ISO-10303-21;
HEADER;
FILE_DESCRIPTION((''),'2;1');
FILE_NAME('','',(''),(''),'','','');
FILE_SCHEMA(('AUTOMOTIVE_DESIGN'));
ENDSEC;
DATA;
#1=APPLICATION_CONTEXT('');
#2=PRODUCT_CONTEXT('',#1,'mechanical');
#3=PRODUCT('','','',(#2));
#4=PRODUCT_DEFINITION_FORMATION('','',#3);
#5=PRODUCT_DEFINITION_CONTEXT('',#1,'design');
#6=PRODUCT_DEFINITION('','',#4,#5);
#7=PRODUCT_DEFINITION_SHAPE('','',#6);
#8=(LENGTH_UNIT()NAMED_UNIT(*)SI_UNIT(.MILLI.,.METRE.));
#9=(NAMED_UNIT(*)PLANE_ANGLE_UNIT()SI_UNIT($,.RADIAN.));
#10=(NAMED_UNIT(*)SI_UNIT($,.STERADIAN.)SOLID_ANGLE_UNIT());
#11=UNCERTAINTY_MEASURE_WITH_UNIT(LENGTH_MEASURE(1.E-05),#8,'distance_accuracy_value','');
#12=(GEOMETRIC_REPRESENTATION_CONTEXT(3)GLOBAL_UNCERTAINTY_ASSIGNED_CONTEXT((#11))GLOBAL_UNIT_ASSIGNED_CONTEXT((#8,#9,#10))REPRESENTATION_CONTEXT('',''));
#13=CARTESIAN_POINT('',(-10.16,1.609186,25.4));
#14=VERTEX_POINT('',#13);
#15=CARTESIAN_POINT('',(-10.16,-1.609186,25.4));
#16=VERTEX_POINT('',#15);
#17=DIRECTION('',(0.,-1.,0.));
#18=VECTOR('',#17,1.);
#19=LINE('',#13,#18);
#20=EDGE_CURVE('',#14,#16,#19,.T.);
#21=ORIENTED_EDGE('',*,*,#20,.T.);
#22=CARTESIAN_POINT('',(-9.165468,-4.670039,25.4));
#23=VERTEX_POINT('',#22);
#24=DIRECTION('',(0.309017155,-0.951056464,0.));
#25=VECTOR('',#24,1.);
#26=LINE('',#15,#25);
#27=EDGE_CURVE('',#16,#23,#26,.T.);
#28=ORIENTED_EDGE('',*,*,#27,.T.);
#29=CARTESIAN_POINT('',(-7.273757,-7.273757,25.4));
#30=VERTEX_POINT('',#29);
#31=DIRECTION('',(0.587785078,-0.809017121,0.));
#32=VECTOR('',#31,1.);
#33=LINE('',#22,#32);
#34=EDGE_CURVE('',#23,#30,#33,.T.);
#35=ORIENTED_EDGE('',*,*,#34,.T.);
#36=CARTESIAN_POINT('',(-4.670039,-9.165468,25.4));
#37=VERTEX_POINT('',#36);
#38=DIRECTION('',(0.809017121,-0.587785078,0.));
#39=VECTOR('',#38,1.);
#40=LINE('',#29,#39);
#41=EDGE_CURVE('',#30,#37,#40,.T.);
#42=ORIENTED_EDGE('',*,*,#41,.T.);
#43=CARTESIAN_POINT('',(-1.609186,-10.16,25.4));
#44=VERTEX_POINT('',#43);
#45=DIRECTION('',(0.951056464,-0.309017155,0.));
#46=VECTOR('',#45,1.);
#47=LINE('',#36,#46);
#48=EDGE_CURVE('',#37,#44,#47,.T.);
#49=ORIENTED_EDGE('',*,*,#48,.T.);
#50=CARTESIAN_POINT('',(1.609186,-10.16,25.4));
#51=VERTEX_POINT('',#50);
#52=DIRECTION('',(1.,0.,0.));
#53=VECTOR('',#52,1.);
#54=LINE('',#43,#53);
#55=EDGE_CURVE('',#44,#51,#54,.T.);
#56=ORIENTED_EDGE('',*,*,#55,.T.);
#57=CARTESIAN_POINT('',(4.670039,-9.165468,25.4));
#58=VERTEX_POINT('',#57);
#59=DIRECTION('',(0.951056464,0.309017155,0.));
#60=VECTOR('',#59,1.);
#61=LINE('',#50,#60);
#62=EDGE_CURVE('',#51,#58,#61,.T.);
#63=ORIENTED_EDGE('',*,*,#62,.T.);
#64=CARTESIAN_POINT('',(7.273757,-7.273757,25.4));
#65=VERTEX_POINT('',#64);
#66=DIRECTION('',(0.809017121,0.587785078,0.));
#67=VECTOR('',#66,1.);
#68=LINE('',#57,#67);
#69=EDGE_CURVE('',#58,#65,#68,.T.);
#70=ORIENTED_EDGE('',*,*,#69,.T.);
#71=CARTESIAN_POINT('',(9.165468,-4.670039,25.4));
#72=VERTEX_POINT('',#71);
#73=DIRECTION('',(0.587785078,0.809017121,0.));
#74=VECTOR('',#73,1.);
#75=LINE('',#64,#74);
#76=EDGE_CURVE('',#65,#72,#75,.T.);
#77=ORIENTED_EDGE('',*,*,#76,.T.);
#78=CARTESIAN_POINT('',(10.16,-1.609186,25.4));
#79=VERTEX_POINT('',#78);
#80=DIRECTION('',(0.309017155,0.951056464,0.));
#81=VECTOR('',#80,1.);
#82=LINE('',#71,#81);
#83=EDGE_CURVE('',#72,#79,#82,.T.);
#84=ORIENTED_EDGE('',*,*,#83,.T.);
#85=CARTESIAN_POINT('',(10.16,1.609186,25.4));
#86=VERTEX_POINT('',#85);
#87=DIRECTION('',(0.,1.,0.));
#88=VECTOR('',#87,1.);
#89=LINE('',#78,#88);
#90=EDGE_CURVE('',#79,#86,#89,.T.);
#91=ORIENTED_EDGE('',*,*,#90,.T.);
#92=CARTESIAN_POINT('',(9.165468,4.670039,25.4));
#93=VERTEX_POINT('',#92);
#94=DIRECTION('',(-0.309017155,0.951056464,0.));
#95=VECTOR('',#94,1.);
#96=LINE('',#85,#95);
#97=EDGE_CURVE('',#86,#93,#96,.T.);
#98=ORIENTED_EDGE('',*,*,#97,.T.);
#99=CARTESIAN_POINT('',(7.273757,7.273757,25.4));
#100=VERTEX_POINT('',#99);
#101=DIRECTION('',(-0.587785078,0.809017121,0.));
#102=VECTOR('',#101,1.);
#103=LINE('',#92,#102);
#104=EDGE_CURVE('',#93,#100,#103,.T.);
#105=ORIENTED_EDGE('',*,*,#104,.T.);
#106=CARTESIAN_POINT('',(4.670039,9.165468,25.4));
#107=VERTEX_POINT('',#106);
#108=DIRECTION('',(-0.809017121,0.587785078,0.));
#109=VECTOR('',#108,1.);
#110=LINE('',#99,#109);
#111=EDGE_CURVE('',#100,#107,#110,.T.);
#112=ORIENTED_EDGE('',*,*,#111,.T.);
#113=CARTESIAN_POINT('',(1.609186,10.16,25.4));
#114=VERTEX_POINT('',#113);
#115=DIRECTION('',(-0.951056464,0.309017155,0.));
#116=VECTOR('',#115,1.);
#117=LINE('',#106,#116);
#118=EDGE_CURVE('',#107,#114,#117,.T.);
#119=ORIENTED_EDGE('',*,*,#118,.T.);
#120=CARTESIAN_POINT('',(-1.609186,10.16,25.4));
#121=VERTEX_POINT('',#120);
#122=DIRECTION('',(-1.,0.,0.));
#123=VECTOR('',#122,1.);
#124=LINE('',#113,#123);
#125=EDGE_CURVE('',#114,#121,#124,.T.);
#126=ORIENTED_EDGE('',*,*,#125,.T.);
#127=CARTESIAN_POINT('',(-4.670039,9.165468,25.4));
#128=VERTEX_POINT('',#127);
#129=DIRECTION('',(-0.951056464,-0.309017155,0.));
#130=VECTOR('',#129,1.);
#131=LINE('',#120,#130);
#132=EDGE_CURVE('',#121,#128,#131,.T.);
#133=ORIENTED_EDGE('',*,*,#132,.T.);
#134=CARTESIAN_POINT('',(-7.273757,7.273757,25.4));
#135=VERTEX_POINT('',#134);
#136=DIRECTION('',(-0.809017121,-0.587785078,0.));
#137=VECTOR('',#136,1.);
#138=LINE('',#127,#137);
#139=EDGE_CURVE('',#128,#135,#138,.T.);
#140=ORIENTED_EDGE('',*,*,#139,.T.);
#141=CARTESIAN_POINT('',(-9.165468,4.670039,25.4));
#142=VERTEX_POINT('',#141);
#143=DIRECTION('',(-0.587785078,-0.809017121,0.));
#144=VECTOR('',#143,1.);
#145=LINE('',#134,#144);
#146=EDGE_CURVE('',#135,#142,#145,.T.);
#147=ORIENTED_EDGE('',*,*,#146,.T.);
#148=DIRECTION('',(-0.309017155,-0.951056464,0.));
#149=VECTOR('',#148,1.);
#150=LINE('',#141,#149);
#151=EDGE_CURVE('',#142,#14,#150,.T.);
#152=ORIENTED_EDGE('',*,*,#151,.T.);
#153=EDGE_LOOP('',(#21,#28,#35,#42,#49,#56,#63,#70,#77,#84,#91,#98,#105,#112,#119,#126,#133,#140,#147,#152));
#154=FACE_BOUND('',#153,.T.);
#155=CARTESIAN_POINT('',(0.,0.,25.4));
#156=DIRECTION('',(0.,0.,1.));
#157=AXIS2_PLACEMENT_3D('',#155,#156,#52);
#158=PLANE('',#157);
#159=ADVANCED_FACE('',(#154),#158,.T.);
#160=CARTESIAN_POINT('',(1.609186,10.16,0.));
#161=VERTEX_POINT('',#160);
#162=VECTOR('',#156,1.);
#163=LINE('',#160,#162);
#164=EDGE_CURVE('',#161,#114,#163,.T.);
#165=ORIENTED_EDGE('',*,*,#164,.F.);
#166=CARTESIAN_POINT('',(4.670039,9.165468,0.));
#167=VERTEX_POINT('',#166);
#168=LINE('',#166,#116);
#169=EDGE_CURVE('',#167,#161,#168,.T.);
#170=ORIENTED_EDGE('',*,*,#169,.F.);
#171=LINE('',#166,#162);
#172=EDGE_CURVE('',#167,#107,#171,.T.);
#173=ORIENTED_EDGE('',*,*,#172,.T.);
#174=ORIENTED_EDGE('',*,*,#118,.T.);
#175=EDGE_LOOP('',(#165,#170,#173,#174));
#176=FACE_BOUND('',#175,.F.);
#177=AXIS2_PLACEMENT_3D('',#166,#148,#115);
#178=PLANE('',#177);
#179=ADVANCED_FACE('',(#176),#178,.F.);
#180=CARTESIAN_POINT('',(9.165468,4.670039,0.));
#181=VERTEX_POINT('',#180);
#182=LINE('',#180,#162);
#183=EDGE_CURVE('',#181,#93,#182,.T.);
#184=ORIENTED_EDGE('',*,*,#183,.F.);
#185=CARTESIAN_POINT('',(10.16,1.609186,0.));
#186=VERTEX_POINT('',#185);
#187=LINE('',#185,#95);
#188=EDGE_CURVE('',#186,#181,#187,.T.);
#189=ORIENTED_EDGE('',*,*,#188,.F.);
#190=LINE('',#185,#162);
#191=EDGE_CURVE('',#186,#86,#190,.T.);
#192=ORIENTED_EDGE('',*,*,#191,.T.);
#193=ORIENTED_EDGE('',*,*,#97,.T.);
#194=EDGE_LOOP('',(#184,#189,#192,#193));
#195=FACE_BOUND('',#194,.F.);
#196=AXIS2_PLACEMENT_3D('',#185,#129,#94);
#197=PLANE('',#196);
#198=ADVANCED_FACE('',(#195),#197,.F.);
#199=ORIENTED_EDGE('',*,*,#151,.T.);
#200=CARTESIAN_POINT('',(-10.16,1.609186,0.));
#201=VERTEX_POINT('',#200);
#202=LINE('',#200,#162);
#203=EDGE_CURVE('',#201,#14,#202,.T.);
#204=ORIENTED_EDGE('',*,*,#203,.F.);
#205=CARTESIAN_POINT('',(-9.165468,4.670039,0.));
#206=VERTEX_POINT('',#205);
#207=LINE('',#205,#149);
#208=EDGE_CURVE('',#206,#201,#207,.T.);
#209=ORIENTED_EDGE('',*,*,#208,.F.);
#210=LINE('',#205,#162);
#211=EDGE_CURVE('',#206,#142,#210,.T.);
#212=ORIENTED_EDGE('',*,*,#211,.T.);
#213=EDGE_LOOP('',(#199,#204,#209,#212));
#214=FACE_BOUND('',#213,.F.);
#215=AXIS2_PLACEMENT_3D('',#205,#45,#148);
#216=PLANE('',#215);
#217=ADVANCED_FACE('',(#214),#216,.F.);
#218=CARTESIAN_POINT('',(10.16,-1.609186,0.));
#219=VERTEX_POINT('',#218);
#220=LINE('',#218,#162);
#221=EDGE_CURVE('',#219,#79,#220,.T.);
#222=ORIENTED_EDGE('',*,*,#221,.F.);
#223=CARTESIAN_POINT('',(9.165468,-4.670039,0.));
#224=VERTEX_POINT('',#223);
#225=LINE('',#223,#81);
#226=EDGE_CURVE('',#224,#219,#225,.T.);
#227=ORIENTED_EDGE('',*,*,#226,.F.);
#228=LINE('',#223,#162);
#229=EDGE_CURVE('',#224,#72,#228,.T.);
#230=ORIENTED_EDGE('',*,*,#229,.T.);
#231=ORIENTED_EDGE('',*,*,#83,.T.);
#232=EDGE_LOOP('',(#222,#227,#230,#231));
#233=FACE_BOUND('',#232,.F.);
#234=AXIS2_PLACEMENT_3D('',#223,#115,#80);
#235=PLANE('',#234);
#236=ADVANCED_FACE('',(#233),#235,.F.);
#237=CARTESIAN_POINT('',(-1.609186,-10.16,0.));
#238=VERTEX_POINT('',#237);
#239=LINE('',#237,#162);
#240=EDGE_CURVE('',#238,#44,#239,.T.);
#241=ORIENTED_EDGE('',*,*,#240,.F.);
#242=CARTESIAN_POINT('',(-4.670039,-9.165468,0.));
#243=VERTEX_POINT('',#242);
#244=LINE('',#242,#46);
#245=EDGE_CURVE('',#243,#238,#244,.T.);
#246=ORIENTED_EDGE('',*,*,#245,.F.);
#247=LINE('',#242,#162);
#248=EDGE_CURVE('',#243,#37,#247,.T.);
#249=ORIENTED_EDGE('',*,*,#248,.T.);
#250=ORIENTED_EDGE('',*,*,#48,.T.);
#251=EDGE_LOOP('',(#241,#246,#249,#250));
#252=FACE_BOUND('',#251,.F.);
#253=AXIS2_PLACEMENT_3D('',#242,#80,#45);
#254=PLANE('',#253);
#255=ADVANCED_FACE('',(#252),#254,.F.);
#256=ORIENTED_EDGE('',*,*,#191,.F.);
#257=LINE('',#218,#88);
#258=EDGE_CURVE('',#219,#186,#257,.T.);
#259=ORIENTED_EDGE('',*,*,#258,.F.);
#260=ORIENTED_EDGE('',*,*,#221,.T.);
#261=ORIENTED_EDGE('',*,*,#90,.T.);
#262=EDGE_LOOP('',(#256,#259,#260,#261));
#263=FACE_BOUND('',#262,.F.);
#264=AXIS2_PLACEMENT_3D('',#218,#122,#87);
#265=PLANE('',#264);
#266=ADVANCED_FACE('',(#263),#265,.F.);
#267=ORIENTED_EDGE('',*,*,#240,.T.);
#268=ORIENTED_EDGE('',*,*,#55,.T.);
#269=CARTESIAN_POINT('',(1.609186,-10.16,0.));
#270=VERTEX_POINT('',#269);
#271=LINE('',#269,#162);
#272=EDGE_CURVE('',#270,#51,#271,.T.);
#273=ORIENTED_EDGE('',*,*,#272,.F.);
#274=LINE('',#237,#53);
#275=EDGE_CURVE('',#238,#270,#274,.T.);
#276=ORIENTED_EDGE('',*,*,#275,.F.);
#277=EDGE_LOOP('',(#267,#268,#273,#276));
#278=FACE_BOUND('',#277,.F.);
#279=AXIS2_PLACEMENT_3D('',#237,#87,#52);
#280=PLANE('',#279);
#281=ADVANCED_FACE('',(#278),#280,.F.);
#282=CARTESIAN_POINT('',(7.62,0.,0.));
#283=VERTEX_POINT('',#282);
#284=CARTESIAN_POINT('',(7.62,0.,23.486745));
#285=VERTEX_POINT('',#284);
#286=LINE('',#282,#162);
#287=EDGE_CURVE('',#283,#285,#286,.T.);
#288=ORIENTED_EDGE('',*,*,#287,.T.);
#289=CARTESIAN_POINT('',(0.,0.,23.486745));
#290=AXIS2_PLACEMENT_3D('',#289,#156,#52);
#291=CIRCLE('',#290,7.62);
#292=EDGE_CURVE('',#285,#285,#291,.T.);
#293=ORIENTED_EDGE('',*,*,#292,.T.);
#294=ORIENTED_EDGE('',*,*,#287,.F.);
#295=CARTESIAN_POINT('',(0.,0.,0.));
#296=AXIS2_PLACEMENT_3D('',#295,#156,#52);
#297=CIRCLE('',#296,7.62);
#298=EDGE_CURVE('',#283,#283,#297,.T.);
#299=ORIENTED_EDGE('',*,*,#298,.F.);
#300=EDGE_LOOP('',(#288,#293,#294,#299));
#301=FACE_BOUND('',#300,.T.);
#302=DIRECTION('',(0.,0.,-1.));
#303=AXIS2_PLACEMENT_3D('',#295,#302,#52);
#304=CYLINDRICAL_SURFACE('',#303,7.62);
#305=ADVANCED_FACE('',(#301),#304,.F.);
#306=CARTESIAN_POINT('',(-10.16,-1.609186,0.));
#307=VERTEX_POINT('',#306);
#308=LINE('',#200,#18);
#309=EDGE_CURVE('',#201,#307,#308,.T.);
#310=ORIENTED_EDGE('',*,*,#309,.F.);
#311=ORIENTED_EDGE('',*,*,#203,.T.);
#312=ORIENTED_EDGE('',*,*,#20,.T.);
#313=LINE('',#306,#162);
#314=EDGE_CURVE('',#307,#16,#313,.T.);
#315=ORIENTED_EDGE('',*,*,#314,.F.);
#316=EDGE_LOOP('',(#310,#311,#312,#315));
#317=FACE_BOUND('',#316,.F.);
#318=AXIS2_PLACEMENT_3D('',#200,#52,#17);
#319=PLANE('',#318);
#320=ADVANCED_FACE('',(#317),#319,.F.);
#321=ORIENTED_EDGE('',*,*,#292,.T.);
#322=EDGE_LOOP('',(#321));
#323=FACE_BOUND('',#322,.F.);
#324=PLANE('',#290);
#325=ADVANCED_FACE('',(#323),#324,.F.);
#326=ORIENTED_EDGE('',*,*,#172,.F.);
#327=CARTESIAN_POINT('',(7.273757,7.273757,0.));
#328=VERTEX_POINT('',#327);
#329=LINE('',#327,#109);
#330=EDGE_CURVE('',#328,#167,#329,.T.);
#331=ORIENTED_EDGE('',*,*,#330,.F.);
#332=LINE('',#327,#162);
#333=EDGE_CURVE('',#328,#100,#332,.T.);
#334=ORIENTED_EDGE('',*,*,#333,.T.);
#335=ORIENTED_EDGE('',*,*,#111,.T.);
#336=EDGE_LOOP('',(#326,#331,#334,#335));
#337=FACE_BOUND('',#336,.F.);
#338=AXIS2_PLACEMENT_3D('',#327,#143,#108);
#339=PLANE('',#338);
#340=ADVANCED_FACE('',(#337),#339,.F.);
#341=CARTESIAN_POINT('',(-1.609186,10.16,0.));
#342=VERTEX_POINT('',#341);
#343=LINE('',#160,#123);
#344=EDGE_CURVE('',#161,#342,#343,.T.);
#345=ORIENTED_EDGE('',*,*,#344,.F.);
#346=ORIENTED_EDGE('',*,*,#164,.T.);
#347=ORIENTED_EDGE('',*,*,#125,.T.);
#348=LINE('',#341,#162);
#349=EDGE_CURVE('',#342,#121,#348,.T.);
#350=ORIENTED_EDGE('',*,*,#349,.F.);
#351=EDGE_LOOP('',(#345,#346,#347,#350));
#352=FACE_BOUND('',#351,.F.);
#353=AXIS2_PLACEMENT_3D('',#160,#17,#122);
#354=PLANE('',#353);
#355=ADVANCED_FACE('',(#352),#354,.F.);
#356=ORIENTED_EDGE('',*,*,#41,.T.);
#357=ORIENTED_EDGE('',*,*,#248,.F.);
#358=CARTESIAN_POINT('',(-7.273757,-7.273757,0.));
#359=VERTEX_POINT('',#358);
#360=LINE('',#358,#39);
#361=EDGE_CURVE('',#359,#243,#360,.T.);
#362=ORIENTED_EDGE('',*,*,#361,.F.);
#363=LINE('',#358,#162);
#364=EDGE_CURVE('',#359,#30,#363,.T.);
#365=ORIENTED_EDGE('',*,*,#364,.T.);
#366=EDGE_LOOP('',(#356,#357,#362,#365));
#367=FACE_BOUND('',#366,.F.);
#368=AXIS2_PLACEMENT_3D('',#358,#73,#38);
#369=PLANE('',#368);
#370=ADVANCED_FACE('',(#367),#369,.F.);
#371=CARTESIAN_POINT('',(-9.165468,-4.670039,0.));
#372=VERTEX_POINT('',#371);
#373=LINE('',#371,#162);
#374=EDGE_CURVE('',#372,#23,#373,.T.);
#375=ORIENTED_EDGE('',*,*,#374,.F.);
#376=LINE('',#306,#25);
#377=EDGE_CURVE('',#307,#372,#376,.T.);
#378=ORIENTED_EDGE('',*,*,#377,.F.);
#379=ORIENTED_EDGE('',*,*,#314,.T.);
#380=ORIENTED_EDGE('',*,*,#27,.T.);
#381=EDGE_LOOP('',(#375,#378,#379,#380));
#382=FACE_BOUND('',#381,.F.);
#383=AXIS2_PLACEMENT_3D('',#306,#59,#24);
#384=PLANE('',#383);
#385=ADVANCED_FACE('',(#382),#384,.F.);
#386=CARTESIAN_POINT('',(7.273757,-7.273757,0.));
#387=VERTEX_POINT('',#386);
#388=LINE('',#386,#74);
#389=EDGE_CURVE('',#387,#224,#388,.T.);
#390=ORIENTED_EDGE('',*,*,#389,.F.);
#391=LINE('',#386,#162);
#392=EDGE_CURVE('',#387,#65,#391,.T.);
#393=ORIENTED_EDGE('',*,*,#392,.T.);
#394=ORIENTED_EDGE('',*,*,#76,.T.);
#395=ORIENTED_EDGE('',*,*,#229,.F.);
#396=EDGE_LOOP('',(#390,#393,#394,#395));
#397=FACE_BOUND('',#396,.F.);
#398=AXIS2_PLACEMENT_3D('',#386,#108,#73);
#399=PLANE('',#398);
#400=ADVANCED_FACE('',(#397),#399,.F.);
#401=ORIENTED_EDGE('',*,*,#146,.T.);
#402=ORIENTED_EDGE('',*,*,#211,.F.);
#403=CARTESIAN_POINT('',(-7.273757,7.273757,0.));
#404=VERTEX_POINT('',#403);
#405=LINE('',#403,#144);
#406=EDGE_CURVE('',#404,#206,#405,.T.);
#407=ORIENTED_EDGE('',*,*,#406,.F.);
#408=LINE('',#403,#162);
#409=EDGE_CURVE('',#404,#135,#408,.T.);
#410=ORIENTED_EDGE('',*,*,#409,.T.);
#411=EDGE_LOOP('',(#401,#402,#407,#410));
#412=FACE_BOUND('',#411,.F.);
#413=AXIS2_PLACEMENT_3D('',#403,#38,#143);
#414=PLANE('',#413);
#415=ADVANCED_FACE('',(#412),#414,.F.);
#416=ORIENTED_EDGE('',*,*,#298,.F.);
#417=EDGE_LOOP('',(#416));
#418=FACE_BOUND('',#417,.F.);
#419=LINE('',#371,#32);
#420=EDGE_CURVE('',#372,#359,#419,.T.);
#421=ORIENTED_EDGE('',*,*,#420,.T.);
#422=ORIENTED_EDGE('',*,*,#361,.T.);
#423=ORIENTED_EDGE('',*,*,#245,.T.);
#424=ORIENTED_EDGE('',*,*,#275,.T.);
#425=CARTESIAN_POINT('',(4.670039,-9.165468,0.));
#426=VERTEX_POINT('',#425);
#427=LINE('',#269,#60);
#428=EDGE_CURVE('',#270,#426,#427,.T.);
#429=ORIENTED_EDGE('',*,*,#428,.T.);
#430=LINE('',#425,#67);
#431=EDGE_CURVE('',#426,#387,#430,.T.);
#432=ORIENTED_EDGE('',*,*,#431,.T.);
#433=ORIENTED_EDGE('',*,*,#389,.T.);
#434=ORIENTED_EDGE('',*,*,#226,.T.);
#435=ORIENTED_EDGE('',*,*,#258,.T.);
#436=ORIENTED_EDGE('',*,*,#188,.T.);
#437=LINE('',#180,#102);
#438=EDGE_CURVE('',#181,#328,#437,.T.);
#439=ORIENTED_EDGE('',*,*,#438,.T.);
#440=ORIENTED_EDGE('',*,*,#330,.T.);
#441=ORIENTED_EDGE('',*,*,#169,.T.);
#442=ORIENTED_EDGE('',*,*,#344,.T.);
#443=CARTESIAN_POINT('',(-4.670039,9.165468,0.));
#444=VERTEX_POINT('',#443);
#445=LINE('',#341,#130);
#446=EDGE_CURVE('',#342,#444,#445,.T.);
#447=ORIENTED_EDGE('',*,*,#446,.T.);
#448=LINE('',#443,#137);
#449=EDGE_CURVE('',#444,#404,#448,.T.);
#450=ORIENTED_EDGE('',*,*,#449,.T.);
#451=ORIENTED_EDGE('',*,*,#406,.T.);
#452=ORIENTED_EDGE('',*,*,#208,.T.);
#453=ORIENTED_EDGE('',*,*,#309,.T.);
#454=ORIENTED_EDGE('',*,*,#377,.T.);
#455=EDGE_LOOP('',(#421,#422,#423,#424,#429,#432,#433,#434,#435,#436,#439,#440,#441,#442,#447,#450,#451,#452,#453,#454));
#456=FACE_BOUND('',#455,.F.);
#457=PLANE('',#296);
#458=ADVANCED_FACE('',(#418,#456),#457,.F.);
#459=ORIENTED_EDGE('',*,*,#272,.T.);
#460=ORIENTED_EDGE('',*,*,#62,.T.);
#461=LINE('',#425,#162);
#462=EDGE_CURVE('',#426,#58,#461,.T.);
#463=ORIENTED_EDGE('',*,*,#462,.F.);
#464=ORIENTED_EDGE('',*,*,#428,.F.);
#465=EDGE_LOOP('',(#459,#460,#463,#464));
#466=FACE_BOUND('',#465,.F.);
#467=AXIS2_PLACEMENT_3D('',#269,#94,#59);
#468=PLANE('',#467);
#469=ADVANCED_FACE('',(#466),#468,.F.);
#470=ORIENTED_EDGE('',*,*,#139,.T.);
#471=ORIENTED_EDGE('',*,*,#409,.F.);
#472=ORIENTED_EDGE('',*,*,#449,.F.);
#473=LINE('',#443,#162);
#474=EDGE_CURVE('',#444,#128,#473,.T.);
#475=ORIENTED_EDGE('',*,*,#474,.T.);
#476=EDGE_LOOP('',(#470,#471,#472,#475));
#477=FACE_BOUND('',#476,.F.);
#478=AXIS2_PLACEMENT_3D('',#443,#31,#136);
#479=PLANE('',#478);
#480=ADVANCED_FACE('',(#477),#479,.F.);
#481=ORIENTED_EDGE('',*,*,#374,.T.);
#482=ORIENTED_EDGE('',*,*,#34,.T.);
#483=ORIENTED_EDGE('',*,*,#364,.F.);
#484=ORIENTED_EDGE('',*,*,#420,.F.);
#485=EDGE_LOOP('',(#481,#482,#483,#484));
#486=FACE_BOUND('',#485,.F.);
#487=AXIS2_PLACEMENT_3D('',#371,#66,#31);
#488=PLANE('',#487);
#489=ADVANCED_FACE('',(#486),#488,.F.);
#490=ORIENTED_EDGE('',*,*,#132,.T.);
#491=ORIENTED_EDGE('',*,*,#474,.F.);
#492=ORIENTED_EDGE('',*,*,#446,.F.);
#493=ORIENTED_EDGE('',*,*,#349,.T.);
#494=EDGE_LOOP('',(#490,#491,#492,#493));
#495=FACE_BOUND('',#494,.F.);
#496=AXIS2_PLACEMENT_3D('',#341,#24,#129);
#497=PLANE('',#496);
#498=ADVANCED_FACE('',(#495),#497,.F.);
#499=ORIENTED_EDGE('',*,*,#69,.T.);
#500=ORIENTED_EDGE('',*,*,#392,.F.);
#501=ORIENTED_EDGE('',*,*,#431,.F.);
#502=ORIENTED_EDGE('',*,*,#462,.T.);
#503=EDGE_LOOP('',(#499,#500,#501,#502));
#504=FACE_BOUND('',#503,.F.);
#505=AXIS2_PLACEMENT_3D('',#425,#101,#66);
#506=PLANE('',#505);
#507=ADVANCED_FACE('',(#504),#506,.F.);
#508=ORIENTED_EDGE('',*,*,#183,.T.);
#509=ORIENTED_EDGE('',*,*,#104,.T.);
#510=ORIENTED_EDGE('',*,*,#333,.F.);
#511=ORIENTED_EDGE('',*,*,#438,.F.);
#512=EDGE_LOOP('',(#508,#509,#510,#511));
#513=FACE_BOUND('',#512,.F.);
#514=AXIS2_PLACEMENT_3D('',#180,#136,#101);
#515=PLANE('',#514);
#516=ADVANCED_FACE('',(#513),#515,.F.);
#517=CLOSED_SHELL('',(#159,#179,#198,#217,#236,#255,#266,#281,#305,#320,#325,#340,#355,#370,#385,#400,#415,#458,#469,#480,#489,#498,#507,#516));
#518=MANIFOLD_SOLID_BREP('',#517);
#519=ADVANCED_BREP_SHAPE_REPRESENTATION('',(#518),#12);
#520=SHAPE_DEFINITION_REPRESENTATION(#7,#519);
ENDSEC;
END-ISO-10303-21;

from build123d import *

# Parameters (mm, degrees)
F0_R     = 7.62
F1_DEPTH = 25.4
F2_DEPTH = 23.486745


with BuildPart() as f1:
    # F0 (on Top) → F1 (new body)
    with BuildSketch(Plane.XY):
        Polygon((1.609186, 10.16), (-1.609186, 10.16), (-4.670039, 9.165468), (-7.273757, 7.273757), (-9.165468, 4.670039), (-10.16, 1.609186), (-10.16, -1.609186), (-9.165468, -4.670039), (-7.273757, -7.273757), (-4.670039, -9.165468), (-1.609186, -10.16), (1.609186, -10.16), (4.670039, -9.165468), (7.273757, -7.273757), (9.165468, -4.670039), (10.16, -1.609186), (10.16, 1.609186), (9.165468, 4.670039), (7.273757, 7.273757), (4.670039, 9.165468), align=None)
        Circle(F0_R, mode=Mode.SUBTRACT)
        Circle(F0_R)
    extrude(amount=F1_DEPTH)

    # F0 (on Top) → F2 (cut)
    with BuildSketch(Plane.XY):
        Circle(F0_R)
    extrude(amount=F2_DEPTH, mode=Mode.SUBTRACT)


solid = f1.part
